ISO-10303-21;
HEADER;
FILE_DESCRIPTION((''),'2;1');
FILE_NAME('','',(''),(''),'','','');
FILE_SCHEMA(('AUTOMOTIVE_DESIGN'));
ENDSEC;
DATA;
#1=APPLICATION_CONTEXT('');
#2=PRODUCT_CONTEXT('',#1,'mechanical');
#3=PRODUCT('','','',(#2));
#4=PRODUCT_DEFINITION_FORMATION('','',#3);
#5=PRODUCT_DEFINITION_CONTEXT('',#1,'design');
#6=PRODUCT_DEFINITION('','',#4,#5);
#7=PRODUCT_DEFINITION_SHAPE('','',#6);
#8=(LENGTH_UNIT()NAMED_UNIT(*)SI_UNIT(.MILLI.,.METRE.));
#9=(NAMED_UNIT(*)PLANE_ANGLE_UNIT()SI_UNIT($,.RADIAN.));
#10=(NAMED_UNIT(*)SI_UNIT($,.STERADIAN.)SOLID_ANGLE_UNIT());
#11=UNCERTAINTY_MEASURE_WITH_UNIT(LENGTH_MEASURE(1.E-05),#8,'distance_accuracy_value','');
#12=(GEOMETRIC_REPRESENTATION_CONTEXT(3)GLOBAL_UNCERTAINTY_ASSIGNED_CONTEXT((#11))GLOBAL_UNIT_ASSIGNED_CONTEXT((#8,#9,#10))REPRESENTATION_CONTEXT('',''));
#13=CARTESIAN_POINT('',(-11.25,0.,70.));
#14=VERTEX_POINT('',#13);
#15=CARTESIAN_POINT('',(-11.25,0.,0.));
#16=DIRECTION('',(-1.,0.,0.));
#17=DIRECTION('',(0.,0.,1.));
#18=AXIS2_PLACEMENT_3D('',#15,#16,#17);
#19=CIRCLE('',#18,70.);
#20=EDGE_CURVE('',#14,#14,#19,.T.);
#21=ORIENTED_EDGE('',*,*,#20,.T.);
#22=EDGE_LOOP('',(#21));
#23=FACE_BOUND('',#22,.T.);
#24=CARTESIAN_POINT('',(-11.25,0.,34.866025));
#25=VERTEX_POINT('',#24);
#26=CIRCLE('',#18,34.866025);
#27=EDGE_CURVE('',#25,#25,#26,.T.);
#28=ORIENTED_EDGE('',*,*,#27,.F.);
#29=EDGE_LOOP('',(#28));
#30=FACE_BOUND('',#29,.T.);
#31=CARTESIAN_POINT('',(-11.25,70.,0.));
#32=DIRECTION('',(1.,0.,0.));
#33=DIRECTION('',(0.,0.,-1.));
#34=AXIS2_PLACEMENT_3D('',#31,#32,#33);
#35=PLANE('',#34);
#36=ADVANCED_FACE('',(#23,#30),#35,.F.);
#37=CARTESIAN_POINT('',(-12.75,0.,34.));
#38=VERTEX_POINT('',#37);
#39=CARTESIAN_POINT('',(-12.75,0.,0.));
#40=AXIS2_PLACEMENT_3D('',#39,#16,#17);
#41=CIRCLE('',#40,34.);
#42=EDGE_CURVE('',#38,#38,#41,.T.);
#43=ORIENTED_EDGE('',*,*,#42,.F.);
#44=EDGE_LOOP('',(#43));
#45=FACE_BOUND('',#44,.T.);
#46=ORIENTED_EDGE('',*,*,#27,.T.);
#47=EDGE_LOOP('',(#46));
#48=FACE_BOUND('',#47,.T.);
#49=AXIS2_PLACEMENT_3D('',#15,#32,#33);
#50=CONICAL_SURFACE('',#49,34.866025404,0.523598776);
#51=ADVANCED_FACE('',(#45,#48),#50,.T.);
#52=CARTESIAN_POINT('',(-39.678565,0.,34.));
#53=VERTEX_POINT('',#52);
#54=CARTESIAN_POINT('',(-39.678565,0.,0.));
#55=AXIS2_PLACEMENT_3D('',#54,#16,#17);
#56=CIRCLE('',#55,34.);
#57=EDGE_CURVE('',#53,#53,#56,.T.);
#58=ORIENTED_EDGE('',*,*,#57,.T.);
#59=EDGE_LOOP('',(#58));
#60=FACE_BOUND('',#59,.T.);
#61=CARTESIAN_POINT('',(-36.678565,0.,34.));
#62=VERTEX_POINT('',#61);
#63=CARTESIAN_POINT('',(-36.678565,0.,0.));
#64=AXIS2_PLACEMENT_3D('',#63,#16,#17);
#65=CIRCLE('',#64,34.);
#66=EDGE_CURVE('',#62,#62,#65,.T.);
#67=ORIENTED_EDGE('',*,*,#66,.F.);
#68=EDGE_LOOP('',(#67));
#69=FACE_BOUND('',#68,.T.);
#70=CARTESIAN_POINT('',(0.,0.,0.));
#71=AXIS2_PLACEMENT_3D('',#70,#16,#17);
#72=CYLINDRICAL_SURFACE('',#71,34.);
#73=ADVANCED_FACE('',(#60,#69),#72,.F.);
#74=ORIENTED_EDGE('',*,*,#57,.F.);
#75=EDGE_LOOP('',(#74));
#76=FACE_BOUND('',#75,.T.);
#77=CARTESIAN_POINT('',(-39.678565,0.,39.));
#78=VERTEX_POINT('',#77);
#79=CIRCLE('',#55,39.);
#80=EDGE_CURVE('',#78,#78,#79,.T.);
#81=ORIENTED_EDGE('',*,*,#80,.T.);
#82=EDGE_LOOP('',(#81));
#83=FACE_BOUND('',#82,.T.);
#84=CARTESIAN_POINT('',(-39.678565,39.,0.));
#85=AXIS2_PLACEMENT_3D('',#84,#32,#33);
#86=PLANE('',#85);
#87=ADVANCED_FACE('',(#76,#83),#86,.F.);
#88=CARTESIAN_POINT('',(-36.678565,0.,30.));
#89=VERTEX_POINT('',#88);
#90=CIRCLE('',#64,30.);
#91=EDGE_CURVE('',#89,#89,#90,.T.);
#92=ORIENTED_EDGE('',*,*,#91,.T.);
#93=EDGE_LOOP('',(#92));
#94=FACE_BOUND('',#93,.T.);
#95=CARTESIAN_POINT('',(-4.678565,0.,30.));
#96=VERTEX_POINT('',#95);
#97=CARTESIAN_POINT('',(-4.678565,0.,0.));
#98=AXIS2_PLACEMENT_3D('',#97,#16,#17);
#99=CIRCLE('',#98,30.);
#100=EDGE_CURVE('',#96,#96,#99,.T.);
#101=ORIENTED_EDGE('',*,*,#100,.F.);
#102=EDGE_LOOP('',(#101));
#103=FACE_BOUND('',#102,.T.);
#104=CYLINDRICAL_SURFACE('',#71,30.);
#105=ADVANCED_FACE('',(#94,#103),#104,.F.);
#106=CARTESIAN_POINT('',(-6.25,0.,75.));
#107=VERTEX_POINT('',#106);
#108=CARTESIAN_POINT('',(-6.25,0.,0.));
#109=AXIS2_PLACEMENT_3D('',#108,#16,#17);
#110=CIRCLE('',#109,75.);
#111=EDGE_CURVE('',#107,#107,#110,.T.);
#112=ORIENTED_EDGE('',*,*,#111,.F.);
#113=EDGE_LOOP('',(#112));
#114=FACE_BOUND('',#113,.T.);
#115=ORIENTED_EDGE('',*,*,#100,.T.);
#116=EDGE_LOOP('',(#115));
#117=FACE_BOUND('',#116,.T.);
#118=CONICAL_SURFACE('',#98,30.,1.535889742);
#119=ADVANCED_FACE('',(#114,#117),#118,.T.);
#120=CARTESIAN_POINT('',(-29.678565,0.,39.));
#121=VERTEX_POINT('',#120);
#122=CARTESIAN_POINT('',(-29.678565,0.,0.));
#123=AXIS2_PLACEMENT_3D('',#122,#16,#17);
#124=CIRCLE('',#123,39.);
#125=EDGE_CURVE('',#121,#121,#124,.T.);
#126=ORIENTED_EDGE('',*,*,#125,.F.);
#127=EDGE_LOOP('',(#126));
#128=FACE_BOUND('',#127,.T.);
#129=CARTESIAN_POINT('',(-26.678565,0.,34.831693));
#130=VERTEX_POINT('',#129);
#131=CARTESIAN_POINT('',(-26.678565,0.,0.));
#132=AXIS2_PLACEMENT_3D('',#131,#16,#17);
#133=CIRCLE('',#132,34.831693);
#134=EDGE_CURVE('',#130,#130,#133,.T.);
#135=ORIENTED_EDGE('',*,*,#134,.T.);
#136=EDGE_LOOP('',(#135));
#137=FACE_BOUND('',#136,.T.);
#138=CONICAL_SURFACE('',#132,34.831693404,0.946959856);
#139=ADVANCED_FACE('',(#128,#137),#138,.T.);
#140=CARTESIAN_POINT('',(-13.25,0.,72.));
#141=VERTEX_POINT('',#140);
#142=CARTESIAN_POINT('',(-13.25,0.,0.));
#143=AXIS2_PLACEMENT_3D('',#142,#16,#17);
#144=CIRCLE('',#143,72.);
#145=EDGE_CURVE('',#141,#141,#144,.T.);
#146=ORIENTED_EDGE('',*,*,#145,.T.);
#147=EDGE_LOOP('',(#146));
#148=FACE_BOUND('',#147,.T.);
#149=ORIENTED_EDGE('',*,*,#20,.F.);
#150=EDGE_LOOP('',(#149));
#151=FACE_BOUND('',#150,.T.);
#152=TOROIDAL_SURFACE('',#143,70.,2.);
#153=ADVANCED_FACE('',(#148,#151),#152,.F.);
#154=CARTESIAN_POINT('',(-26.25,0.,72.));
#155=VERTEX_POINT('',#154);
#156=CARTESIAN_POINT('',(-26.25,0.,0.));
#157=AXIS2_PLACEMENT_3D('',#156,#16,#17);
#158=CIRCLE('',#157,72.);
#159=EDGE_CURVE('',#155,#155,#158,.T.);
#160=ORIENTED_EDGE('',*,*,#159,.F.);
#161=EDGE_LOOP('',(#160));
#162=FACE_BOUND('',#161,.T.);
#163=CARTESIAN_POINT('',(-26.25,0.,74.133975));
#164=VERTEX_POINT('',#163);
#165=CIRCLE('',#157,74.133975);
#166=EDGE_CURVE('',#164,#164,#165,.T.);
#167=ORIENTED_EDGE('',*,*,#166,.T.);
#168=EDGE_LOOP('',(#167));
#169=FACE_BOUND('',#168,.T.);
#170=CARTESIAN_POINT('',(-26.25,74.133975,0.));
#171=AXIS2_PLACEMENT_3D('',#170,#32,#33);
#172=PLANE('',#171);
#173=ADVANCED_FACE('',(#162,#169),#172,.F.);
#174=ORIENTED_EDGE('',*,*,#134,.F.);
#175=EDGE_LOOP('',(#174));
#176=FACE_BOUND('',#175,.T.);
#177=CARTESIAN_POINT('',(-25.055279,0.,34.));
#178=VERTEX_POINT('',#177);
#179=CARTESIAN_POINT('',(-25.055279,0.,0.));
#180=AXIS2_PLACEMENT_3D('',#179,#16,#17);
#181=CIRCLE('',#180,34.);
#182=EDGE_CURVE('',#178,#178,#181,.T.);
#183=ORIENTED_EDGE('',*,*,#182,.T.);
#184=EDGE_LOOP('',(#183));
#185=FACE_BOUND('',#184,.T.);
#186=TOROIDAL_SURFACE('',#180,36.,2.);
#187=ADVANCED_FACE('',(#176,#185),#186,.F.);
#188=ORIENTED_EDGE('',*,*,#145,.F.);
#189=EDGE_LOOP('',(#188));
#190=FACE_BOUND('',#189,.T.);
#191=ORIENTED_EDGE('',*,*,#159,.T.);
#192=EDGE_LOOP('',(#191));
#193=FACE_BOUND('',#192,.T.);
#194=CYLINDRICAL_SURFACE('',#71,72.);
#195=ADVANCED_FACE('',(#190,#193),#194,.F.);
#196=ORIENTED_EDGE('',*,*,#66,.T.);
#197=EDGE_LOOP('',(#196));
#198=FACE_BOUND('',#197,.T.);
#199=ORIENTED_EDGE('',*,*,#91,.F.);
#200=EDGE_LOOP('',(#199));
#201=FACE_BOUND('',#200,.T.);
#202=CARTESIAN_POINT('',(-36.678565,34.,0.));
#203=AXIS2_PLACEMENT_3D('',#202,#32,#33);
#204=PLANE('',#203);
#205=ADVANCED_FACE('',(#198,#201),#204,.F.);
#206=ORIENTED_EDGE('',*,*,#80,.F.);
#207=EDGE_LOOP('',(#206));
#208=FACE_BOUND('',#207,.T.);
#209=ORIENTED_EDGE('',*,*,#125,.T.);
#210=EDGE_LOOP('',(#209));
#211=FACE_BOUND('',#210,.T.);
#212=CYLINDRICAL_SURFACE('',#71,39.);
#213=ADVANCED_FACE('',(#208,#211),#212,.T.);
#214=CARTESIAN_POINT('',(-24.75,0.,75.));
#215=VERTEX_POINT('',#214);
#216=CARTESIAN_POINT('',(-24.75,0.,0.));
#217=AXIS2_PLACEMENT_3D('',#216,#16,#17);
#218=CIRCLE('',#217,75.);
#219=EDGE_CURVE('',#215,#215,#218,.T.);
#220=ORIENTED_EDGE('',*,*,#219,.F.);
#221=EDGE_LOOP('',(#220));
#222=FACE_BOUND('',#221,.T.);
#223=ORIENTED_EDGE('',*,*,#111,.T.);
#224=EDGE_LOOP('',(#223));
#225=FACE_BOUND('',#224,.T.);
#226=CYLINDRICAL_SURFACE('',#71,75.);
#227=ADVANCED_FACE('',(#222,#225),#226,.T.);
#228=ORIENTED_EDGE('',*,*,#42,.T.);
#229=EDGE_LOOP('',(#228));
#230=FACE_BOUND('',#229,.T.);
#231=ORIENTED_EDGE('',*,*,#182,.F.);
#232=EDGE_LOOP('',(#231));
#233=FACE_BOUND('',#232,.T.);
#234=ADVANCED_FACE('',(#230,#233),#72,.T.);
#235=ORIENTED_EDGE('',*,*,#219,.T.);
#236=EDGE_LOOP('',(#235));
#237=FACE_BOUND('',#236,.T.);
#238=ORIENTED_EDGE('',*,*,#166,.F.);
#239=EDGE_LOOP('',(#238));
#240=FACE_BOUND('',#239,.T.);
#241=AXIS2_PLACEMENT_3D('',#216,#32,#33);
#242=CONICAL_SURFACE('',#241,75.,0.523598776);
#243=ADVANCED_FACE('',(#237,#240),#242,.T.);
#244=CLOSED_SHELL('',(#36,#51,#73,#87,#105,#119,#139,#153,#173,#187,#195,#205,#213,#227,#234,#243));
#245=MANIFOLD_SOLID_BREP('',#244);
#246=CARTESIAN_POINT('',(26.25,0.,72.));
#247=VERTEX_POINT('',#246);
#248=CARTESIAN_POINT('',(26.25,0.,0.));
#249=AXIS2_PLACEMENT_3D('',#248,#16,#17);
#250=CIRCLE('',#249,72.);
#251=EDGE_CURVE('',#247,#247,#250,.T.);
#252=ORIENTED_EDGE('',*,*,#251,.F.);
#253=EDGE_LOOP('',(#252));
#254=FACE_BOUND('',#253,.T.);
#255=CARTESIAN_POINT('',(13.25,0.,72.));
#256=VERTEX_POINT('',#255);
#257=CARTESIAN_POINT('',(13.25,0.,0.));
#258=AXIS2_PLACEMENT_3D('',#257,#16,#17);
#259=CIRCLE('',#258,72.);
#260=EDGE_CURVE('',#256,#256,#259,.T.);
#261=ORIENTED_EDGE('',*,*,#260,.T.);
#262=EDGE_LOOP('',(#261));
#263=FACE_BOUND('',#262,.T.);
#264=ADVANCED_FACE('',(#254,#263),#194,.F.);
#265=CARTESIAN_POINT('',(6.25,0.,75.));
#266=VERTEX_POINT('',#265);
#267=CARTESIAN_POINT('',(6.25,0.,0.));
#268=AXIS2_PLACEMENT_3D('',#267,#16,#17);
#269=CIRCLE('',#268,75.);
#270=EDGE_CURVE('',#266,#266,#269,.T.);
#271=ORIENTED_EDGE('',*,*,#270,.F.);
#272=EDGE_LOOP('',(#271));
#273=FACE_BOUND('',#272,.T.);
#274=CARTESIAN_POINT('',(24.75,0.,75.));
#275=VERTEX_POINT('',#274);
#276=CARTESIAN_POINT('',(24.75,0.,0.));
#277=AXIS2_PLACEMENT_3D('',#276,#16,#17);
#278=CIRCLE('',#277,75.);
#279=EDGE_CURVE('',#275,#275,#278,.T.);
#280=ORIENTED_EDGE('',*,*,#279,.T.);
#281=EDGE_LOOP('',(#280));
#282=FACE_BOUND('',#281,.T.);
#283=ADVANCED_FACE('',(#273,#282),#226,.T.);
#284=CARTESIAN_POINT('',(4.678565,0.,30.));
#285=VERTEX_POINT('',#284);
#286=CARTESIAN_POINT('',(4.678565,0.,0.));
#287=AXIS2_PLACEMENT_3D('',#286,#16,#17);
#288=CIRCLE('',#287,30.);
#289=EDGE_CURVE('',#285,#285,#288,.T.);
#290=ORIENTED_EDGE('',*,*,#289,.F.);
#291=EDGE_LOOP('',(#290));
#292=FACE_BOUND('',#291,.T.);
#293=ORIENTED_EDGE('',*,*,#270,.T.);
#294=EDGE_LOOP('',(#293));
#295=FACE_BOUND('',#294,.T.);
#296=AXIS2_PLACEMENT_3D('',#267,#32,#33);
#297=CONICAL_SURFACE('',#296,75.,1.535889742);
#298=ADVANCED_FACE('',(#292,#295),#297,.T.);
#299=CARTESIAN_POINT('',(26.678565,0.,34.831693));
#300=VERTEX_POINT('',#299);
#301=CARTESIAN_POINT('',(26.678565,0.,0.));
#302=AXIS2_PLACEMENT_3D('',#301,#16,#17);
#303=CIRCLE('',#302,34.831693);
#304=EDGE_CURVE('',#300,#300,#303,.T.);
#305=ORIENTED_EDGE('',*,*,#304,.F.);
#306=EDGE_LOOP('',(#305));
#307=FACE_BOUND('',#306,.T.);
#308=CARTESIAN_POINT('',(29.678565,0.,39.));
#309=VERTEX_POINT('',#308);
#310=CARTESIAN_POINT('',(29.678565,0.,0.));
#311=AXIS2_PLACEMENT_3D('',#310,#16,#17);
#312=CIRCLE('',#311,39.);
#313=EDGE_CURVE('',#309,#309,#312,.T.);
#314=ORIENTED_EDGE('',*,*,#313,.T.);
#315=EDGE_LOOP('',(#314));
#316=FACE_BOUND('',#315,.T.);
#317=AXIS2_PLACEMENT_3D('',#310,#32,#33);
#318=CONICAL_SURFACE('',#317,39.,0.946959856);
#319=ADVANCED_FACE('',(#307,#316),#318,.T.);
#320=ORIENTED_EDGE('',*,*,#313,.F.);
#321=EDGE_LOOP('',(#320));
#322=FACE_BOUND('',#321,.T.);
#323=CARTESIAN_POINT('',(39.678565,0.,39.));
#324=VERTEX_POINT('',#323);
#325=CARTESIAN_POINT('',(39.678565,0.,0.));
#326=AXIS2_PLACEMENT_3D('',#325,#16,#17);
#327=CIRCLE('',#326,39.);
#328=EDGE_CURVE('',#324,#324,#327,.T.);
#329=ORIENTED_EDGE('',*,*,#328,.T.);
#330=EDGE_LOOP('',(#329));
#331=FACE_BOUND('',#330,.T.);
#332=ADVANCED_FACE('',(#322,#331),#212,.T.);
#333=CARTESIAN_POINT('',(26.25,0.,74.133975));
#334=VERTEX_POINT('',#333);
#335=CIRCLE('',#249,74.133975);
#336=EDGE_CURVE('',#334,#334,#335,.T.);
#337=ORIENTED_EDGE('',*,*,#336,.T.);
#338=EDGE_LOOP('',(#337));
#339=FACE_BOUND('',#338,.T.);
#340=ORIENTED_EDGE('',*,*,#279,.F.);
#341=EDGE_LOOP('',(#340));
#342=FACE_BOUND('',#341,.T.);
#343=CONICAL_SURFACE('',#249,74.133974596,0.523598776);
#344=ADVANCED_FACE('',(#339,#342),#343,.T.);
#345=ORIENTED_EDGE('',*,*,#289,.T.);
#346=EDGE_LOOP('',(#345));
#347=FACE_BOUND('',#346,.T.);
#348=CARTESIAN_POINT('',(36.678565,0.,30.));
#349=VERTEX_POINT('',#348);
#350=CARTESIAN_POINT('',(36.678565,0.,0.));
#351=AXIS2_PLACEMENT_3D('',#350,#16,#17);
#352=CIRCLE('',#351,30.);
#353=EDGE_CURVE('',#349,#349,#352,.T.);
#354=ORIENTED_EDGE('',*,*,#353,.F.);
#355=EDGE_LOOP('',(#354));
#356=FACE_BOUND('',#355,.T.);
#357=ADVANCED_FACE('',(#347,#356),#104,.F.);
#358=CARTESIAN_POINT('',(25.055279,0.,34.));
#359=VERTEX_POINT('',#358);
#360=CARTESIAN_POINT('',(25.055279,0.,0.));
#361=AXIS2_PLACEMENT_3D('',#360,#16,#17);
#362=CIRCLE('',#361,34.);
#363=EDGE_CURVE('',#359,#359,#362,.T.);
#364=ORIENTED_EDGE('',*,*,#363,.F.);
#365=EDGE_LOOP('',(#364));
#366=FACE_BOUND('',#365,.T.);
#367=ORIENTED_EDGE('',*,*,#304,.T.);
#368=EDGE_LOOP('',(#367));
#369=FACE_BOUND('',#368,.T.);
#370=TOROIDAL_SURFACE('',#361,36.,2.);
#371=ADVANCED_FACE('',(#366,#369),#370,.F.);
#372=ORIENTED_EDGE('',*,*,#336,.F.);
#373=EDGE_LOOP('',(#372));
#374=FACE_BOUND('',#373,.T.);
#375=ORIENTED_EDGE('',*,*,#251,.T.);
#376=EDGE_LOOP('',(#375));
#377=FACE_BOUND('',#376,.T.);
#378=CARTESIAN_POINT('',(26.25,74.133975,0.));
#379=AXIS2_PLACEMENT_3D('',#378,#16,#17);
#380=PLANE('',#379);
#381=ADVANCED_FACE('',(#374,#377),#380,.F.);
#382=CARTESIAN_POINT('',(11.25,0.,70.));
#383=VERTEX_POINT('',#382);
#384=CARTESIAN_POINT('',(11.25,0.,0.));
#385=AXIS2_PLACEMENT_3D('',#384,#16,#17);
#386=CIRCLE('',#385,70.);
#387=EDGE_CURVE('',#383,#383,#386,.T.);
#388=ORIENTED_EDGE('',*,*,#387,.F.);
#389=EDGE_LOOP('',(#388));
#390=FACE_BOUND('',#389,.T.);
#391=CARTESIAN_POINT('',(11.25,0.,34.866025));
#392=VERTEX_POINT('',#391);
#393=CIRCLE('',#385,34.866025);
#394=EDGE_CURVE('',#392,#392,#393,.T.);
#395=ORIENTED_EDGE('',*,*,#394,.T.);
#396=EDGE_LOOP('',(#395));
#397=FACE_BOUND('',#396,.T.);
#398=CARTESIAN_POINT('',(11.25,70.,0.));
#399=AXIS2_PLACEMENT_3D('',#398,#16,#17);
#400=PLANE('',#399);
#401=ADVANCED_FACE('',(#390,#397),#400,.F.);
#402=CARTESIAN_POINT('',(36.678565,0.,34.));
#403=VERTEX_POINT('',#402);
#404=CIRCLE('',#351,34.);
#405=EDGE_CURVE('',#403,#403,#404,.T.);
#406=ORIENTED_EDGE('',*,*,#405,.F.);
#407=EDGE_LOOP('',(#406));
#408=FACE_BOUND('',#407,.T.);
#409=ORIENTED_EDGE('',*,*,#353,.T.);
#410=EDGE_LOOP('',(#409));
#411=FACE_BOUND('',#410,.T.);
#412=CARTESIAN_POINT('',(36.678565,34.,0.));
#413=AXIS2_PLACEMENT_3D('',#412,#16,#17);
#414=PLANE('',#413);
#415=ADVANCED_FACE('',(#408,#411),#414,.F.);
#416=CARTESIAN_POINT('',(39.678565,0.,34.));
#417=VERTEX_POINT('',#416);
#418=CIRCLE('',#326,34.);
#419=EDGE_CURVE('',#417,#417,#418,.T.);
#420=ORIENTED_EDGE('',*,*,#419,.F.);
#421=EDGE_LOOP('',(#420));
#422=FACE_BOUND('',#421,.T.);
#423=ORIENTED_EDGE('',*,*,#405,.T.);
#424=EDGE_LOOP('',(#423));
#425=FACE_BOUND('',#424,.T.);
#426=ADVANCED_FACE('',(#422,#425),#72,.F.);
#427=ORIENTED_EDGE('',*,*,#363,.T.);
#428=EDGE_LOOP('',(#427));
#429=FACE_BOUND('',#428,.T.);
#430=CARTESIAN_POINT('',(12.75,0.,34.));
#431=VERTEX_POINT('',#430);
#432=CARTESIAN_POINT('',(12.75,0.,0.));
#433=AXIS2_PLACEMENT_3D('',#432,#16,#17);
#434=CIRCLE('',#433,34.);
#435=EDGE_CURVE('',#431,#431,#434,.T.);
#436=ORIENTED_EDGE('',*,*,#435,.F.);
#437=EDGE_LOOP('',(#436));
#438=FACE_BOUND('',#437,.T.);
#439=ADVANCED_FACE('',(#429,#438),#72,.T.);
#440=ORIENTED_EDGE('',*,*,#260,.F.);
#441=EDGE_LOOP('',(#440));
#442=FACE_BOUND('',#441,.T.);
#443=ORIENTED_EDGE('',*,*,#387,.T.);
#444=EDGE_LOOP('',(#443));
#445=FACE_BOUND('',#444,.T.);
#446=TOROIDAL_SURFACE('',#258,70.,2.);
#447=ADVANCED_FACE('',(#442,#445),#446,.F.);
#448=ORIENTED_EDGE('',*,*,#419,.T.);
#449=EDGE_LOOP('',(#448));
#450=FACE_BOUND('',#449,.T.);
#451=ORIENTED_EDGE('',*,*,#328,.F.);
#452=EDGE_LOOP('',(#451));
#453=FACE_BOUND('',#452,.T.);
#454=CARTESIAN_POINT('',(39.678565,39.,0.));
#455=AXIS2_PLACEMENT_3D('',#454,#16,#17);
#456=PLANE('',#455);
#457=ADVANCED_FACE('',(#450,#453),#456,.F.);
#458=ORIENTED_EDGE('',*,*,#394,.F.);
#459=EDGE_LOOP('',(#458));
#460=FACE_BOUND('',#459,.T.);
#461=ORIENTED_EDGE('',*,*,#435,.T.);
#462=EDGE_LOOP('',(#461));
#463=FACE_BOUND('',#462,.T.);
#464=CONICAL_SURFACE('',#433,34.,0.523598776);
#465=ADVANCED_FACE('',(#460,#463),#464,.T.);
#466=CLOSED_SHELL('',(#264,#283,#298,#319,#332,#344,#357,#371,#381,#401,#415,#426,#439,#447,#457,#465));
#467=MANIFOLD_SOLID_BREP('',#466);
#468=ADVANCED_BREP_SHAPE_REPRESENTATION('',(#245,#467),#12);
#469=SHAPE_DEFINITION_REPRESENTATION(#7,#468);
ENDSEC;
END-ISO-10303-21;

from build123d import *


with BuildPart() as part:
    # Esquisse1 → Révolution1 (revolve)
    with BuildSketch(Plane.XY, mode=Mode.PRIVATE) as r_volution1_sk:
        with BuildLine():
            Line((6.25, 75), (24.75, 75))
            Line((24.75, 75), (26.25, 74.133974596))
            Line((26.25, 74.133974596), (26.25, 72))
            Line((26.25, 72), (13.25, 72))
            ThreePointArc((13.25, 72), (11.835786438, 71.414213562), (11.25, 70))
            Line((11.25, 70), (11.25, 34.866025404))
            Line((11.25, 34.866025404), (12.75, 34))
            Line((12.75, 34), (25.055278677, 34))
            ThreePointArc((25.055278677, 34), (25.967250937, 34.220026237), (26.678565373, 34.831693404))
            Line((26.678565373, 34.831693404), (29.678565373, 39))
            Line((29.678565373, 39), (39.678565373, 39))
            Line((39.678565373, 39), (39.678565373, 34))
            Line((39.678565373, 34), (36.678565373, 34))
            Line((36.678565373, 34), (36.678565373, 30))
            Line((36.678565373, 30), (4.678565373, 30))
            Line((4.678565373, 30), (6.25, 75))
        make_face()
        with BuildLine():
            Line((-11.25, 34.866025404), (-12.75, 34))
            Line((-12.75, 34), (-25.055278677, 34))
            ThreePointArc((-25.055278677, 34), (-25.967250937, 34.220026237), (-26.678565373, 34.831693404))
            Line((-26.678565373, 34.831693404), (-29.678565373, 39))
            Line((-29.678565373, 39), (-39.678565373, 39))
            Line((-39.678565373, 39), (-39.678565373, 34))
            Line((-39.678565373, 34), (-36.678565373, 34))
            Line((-36.678565373, 34), (-36.678565373, 30))
            Line((-36.678565373, 30), (-4.678565373, 30))
            Line((-4.678565373, 30), (-6.25, 75))
            Line((-6.25, 75), (-24.75, 75))
            Line((-24.75, 75), (-26.25, 74.133974596))
            Line((-26.25, 74.133974596), (-26.25, 72))
            Line((-26.25, 72), (-13.25, 72))
            ThreePointArc((-13.25, 72), (-11.835786438, 71.414213562), (-11.25, 70))
            Line((-11.25, 70), (-11.25, 34.866025404))
        make_face()
    revolve(r_volution1_sk.sketch.rotate(Axis((0, 0, 0), (1, 0, 0)), 90), axis=Axis((0, 0, 0), (1, 0, 0)))


solid = part.part
